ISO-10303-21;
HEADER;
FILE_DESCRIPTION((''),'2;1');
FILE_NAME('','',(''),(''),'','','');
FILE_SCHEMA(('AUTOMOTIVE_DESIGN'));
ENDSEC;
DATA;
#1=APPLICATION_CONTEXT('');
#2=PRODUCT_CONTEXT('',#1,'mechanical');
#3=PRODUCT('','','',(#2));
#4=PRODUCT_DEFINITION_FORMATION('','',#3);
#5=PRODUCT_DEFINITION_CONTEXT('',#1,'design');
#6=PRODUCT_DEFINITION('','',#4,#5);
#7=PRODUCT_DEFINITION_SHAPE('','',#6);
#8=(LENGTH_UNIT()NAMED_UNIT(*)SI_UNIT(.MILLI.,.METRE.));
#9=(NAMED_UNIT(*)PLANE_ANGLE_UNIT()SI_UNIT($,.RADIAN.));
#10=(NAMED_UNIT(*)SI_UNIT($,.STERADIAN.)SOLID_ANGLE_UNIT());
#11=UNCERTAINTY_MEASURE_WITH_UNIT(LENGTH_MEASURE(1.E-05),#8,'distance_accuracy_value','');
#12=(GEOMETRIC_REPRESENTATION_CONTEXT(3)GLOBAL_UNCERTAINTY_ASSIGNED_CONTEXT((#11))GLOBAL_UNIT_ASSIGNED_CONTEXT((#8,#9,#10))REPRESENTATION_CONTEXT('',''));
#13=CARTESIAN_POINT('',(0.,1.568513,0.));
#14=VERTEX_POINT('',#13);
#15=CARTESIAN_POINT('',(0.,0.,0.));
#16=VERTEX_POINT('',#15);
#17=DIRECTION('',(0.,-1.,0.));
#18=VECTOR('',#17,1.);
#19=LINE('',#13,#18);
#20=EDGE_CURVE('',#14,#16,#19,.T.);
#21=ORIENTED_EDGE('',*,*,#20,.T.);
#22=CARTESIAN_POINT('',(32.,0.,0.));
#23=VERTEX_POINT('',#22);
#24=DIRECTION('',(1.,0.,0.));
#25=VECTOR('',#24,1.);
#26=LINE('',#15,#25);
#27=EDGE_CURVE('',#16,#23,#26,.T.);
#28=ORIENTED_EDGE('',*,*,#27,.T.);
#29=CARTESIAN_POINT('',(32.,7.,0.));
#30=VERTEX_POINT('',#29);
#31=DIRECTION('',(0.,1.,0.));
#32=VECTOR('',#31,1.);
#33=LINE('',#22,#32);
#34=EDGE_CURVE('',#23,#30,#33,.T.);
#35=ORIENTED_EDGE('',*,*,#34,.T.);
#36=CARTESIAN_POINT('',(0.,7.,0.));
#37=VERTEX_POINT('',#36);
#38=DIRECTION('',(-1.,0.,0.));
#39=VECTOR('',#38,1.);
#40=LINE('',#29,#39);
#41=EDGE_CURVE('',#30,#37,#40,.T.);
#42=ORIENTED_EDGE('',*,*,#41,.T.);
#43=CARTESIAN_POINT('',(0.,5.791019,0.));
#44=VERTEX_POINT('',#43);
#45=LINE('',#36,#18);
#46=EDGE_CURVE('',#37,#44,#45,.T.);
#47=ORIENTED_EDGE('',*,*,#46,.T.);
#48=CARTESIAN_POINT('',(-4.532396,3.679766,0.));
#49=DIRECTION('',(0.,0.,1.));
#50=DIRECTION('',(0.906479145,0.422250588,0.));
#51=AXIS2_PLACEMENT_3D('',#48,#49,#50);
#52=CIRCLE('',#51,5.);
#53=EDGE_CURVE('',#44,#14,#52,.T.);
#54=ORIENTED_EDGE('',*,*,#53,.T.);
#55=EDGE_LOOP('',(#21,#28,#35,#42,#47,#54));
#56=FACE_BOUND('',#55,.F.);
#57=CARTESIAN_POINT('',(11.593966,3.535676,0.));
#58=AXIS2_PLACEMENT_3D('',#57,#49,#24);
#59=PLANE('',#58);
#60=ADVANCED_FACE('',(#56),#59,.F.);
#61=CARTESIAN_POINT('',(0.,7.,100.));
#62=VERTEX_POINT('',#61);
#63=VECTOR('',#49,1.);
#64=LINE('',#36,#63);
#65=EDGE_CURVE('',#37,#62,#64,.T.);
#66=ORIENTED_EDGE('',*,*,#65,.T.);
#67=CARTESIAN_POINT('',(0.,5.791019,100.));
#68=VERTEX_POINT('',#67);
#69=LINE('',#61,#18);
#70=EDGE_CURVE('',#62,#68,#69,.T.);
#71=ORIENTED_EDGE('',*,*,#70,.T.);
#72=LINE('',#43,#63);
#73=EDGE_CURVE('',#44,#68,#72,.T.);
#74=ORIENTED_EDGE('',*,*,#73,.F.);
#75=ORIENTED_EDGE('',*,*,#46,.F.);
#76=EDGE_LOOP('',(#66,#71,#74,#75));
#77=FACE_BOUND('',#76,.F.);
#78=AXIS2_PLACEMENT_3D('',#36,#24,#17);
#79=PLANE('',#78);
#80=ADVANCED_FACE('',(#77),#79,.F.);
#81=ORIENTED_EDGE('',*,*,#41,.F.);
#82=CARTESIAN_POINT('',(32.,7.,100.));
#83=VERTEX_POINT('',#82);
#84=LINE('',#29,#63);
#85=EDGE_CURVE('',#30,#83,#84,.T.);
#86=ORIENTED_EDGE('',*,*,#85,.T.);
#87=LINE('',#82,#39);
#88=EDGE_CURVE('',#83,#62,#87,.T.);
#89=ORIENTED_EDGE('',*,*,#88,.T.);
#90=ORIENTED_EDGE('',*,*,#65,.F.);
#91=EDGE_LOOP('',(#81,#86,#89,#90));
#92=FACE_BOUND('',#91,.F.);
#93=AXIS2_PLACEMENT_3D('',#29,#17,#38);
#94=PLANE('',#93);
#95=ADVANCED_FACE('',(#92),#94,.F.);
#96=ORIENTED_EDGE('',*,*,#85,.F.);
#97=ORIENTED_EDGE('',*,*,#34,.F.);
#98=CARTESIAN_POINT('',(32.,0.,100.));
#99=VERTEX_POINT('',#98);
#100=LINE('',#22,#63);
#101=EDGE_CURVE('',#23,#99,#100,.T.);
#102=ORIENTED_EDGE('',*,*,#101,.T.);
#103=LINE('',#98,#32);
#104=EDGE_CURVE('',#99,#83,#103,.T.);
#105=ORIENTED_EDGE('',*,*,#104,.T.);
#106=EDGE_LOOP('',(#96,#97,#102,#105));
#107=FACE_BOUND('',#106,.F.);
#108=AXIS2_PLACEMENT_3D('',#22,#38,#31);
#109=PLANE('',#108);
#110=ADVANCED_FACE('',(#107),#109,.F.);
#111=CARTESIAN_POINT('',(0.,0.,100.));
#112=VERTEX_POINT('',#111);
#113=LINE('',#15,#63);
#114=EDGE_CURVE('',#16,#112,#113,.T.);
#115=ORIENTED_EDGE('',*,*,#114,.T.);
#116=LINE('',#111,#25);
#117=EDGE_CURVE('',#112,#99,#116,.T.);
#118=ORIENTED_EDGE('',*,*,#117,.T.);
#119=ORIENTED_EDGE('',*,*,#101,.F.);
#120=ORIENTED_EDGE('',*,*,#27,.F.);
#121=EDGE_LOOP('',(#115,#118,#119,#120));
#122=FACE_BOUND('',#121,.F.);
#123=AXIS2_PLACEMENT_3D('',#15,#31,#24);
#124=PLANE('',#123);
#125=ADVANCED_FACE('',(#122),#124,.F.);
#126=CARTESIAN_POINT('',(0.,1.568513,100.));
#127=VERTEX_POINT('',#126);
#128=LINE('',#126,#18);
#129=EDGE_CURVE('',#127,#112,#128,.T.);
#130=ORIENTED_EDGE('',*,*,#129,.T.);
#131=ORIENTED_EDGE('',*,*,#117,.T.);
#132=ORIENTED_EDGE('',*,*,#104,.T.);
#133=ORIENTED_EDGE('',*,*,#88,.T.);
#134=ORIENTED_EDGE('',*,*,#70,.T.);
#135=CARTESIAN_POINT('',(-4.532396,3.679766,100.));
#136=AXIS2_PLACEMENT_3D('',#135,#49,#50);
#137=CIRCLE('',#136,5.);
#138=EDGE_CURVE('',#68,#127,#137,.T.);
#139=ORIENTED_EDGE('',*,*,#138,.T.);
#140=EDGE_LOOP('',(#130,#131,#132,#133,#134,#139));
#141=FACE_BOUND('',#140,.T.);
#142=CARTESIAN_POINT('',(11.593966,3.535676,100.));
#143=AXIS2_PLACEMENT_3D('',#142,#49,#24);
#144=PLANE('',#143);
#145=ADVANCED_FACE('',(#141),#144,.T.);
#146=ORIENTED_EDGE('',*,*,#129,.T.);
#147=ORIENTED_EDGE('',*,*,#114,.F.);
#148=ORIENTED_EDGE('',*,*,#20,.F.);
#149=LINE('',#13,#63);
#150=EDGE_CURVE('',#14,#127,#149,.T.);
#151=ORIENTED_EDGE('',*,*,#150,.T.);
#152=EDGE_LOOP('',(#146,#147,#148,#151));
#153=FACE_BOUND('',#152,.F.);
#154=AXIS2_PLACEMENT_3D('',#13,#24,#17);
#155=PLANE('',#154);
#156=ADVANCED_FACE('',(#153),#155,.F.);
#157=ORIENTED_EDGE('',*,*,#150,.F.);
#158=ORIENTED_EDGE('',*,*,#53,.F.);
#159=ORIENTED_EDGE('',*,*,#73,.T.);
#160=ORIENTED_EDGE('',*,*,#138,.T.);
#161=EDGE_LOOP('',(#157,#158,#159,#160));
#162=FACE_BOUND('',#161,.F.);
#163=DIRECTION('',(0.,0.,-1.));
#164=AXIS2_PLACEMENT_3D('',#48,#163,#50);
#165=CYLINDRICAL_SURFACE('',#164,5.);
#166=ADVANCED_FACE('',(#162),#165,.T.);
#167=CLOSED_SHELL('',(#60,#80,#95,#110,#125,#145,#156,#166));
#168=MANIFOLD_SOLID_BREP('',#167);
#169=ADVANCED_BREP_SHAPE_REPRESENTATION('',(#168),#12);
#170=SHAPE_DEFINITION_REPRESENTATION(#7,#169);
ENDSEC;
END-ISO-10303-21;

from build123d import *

# Parameters (mm, degrees)
F1_DEPTH = 100


with BuildPart() as f1:
    # F0 (on Top) → F1 (new body)
    with BuildSketch(Plane.XY):
        with BuildLine():
            Line((0, 1.568513), (0, 0))
            Line((0, 0), (32, 0))
            Line((32, 0), (32, 7))
            Line((32, 7), (0, 7))
            Line((0, 7), (0, 5.791019))
            ThreePointArc((0, 5.791019), (-9.532396, 3.679766), (0, 1.568513))
        make_face()
    extrude(amount=F1_DEPTH)


solid = f1.part
